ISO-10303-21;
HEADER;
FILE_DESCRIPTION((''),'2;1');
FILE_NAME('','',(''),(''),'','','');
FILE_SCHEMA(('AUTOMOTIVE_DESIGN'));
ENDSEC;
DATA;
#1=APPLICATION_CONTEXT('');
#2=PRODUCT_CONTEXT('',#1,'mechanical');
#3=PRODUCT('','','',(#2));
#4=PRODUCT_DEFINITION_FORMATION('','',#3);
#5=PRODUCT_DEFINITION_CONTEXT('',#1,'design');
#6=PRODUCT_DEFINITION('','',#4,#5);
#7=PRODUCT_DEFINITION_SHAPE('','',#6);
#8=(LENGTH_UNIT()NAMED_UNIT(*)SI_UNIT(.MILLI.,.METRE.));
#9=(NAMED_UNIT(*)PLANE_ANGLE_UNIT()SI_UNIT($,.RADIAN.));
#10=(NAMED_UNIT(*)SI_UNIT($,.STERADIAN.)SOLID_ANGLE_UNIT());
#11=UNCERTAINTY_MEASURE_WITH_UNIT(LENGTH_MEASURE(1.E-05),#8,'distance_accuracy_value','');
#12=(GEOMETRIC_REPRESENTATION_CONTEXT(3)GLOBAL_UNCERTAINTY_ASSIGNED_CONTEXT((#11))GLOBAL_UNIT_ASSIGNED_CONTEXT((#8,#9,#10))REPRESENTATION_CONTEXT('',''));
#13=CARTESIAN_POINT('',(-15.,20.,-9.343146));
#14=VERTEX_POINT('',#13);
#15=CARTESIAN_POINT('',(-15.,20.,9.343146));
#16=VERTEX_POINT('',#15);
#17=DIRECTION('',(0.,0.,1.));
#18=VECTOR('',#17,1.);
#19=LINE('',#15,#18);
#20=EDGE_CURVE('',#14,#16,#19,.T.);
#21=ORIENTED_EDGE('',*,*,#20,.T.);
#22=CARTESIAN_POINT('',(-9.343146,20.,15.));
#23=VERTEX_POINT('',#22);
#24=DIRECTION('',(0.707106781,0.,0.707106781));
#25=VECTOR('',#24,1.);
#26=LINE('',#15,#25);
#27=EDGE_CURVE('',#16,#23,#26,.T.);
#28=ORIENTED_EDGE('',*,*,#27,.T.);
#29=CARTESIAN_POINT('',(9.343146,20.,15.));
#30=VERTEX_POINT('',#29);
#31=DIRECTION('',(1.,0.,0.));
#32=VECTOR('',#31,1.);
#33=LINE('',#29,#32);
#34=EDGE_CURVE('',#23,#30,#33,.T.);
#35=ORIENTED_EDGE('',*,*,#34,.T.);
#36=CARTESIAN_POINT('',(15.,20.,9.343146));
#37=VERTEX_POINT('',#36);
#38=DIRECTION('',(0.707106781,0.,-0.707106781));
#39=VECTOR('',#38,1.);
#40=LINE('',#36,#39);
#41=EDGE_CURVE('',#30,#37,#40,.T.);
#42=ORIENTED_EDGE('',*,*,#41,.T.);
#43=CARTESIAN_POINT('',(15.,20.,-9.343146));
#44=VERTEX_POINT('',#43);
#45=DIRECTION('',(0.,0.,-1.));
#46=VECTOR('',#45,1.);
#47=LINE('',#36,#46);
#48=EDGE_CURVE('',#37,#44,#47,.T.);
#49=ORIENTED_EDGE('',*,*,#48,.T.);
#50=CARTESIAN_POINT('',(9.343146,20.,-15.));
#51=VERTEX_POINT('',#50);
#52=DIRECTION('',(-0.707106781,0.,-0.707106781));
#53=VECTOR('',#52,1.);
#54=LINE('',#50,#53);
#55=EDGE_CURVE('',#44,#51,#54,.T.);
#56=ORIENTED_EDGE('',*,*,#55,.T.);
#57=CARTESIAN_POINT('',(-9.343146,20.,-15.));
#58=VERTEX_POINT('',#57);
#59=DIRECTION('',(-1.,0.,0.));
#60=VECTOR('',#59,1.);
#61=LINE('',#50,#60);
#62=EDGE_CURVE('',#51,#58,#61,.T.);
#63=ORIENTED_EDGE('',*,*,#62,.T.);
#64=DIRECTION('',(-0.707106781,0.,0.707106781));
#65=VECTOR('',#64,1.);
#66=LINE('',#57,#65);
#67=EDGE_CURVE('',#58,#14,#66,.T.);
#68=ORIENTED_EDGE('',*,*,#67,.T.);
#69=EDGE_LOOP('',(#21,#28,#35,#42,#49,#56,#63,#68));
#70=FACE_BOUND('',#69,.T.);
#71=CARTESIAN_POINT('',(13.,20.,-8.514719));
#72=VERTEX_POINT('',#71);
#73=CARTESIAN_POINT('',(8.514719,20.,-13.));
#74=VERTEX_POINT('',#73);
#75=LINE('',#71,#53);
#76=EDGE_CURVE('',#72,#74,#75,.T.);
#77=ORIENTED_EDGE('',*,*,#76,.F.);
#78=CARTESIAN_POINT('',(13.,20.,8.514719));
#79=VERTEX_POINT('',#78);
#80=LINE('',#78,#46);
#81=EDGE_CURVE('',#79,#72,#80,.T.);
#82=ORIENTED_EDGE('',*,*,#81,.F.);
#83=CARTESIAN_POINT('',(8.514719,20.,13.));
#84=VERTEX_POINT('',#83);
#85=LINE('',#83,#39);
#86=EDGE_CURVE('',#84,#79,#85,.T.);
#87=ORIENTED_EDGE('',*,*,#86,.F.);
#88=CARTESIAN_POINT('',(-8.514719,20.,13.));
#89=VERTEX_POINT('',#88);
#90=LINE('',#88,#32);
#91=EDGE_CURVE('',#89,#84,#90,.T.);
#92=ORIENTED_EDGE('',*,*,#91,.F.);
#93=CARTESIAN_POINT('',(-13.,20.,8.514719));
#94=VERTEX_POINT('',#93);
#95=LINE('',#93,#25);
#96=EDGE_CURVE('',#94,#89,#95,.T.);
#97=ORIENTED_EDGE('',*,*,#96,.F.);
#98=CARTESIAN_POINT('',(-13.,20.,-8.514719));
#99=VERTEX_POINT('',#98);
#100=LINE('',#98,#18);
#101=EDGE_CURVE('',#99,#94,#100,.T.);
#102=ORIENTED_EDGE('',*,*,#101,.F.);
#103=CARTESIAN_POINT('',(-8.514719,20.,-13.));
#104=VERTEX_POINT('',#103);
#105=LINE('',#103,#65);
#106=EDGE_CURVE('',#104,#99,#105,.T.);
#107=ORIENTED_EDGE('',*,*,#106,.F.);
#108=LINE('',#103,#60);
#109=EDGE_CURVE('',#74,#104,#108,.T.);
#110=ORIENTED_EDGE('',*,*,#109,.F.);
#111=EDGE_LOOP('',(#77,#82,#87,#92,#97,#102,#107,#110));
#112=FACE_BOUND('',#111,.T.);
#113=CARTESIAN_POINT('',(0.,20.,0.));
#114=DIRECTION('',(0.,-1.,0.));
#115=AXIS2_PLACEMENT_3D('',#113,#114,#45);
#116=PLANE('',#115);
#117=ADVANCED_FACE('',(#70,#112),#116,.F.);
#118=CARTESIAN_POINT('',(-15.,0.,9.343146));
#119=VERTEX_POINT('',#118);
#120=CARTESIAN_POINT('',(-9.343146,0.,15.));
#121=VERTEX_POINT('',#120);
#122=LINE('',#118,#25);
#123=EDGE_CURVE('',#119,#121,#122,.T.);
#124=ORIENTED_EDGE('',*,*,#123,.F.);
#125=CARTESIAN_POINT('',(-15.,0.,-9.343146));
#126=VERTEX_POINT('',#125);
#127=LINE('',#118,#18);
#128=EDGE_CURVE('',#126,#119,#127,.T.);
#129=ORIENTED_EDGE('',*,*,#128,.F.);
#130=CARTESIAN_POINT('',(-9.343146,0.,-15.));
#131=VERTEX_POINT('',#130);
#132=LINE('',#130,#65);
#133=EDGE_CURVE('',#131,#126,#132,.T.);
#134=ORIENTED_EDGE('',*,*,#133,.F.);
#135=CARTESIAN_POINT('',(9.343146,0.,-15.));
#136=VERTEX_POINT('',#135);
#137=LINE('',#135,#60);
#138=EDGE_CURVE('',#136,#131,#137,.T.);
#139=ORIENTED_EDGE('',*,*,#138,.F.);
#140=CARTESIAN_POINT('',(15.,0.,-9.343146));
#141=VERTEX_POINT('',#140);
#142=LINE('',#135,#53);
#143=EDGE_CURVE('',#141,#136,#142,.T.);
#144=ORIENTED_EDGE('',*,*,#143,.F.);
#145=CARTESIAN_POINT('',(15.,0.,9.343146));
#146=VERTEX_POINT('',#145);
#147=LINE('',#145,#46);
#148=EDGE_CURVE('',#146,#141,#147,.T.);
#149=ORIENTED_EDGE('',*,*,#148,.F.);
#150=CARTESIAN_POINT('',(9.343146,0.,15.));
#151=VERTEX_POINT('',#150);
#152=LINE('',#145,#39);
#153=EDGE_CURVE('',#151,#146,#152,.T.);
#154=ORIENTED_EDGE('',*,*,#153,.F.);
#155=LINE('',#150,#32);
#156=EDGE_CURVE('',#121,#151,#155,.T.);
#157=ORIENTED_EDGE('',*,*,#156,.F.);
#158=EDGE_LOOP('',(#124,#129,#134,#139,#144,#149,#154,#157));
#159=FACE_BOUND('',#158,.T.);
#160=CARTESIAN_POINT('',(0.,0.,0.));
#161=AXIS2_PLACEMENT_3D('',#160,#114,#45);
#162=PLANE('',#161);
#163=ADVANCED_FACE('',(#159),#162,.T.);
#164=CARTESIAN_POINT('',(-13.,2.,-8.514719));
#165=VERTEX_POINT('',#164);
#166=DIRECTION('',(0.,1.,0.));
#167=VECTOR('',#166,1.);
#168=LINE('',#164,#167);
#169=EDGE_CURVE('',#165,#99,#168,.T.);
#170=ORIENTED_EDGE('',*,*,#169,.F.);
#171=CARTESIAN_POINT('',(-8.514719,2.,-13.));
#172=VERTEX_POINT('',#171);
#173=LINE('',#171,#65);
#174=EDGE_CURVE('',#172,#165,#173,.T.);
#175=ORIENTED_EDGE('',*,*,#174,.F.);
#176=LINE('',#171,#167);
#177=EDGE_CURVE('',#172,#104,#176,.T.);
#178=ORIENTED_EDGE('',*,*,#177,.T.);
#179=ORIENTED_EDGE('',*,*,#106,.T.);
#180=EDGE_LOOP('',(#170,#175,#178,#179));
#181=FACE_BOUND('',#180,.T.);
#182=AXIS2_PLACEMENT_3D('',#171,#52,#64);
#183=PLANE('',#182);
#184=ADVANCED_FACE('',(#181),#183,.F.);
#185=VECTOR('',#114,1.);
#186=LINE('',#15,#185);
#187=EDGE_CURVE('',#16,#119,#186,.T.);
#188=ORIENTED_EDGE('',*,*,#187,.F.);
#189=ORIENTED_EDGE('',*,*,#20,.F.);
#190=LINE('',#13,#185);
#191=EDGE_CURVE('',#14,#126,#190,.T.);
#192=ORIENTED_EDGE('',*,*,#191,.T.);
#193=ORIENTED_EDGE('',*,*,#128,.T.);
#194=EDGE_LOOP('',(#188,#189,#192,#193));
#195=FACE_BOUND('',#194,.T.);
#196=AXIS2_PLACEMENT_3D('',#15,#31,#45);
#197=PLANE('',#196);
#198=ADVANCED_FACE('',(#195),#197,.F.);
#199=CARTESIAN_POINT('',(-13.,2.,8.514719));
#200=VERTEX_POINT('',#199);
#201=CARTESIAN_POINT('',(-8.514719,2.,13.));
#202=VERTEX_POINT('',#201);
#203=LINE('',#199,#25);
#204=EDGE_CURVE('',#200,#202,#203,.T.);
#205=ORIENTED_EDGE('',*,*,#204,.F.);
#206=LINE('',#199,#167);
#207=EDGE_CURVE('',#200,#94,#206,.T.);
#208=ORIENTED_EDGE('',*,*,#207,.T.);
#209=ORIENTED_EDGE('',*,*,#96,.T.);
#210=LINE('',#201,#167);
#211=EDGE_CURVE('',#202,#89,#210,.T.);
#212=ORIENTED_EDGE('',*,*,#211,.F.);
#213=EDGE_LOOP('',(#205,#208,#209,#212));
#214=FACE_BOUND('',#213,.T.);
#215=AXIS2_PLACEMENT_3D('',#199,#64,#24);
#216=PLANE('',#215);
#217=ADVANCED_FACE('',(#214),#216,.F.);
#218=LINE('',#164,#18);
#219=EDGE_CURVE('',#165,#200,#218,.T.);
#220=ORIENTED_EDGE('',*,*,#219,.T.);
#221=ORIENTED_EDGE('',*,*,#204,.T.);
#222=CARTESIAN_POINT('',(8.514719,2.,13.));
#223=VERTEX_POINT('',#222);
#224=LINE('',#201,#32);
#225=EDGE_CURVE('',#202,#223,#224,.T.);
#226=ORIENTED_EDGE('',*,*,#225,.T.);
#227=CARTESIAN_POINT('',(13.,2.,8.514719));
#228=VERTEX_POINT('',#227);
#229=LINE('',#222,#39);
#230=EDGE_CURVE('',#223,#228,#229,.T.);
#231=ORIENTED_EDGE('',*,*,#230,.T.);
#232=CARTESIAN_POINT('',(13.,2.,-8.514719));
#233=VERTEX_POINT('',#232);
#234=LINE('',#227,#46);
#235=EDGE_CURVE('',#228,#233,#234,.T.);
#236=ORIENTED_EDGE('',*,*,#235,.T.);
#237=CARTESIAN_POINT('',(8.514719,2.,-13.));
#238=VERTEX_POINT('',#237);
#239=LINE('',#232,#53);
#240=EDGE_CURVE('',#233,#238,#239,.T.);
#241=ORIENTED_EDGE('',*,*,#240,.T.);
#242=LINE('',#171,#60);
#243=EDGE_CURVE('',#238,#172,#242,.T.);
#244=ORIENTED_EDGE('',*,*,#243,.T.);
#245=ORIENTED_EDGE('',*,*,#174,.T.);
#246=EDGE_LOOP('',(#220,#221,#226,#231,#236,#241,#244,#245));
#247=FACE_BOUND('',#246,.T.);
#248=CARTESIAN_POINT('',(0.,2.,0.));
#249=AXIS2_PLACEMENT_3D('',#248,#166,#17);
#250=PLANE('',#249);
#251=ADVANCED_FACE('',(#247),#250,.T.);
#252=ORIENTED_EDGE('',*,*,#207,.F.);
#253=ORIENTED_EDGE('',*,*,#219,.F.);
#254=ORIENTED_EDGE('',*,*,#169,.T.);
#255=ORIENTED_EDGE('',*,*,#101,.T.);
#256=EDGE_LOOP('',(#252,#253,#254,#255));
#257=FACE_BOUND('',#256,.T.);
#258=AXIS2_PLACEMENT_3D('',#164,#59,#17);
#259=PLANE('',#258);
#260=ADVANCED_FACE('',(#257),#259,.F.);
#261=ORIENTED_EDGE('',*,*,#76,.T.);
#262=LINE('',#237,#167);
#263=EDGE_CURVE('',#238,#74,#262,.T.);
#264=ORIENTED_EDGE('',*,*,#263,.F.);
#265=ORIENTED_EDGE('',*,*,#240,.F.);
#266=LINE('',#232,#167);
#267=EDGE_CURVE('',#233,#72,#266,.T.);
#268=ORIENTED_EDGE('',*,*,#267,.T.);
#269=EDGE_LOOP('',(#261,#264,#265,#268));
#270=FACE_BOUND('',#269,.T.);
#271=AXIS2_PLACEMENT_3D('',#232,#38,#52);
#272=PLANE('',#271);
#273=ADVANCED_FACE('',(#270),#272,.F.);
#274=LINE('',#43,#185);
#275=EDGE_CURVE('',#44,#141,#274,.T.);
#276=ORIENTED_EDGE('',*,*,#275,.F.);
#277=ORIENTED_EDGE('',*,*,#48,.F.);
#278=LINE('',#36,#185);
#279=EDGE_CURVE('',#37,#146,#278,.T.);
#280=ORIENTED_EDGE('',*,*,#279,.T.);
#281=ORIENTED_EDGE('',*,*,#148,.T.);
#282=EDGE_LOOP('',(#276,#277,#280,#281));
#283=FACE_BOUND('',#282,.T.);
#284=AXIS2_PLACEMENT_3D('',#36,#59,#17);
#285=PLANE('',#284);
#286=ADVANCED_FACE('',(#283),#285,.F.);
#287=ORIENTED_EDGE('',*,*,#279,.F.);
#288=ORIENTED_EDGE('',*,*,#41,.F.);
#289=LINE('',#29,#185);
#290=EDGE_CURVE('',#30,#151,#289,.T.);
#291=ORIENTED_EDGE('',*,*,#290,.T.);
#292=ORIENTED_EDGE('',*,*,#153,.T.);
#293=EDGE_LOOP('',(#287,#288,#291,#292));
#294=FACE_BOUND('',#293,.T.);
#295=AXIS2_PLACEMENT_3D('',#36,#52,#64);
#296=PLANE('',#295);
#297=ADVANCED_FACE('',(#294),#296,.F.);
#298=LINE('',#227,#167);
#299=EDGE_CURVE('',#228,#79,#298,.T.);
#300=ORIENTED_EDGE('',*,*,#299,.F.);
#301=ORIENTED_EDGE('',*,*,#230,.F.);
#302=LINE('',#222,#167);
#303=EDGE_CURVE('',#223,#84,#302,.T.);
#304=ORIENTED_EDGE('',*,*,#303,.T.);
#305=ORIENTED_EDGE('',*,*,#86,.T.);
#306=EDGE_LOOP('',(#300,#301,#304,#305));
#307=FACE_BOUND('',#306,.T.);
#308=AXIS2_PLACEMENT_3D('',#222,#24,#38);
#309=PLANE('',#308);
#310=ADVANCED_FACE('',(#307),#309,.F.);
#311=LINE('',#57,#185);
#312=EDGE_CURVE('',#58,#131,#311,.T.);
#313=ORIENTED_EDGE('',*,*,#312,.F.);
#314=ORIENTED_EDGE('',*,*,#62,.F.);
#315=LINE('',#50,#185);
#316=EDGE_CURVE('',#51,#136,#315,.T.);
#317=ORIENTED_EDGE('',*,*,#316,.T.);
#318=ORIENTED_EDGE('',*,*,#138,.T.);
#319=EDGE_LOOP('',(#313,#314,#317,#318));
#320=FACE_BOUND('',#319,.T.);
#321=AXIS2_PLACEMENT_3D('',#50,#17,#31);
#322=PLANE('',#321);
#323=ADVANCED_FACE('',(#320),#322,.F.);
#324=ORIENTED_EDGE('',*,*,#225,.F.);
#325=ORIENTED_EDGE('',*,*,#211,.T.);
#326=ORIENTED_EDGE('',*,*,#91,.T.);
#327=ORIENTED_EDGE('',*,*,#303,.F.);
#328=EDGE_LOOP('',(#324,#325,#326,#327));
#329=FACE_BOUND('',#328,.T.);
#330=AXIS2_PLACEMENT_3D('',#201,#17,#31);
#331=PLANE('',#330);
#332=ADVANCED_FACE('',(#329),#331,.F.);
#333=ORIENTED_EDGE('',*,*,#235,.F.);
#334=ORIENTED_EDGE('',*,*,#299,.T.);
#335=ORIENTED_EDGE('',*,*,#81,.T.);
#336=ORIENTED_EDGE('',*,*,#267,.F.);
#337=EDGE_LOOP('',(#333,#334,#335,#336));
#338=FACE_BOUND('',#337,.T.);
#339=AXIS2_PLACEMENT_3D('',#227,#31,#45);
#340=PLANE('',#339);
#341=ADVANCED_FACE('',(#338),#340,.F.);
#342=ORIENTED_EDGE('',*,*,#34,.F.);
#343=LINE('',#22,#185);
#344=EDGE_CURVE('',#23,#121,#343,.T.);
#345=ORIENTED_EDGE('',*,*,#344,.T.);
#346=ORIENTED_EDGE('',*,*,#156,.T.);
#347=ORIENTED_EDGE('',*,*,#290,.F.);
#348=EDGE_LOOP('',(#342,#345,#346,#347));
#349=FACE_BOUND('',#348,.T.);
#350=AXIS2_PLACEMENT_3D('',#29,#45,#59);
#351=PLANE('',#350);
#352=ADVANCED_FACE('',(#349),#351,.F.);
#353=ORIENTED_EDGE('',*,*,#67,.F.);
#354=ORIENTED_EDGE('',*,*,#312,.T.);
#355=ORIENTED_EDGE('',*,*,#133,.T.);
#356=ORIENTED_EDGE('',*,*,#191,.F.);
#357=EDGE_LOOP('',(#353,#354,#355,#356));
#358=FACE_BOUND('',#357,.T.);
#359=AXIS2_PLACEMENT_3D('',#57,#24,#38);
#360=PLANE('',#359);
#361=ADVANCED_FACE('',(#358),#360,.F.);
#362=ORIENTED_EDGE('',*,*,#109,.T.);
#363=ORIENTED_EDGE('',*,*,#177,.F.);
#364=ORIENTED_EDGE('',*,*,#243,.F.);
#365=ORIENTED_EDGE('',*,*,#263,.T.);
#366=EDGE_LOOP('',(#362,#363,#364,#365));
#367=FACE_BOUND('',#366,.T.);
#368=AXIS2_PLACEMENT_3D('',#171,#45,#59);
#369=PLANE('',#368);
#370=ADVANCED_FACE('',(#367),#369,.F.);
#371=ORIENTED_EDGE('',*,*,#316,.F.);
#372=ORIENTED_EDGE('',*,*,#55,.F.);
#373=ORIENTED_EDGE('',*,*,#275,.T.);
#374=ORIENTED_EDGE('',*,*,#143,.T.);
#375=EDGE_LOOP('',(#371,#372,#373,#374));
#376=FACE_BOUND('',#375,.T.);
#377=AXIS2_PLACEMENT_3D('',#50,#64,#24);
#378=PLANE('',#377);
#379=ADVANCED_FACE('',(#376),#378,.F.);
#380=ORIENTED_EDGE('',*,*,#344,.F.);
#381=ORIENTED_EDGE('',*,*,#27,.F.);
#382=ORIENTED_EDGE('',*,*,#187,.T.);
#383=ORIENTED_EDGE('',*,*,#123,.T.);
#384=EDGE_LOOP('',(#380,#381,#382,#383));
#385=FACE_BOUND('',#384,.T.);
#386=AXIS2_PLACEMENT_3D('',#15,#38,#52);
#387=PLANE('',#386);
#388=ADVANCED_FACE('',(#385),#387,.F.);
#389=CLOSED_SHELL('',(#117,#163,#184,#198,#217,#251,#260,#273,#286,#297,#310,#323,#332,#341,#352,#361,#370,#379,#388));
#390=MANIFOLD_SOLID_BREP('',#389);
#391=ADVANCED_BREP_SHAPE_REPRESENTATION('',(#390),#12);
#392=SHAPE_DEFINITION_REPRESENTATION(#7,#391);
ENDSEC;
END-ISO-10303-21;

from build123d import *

# Parameters (mm, degrees)
BOSS_EXTRUDE1_DEPTH = 20
CUT_EXTRUDE1_DEPTH  = 18


with BuildPart() as part:
    # Sketch1 → Boss-Extrude1 (new body)
    with BuildSketch(Plane(origin=(0, 0, 0), x_dir=(1, 0, 0), z_dir=(0, 1, 0))):
        Polygon((-9.343145751, 15), (-15, 9.343145751), (-15, -9.343145751), (-9.343145751, -15), (9.343145751, -15), (15, -9.343145751), (15, 9.343145751), (9.343145751, 15), align=None)
    extrude(amount=BOSS_EXTRUDE1_DEPTH)

    # Sketch2 → Cut-Extrude1 (cut)
    with BuildSketch(Plane(origin=(0, 20, 0), x_dir=(1, 0, 0), z_dir=(0, 1, 0))):
        Polygon((-8.514718626, 13), (-13, 8.514718626), (-13, -8.514718626), (-8.514718626, -13), (8.514718626, -13), (13, -8.514718626), (13, 8.514718626), (8.514718626, 13), align=None)
    extrude(amount=-CUT_EXTRUDE1_DEPTH, mode=Mode.SUBTRACT)


solid = part.part
